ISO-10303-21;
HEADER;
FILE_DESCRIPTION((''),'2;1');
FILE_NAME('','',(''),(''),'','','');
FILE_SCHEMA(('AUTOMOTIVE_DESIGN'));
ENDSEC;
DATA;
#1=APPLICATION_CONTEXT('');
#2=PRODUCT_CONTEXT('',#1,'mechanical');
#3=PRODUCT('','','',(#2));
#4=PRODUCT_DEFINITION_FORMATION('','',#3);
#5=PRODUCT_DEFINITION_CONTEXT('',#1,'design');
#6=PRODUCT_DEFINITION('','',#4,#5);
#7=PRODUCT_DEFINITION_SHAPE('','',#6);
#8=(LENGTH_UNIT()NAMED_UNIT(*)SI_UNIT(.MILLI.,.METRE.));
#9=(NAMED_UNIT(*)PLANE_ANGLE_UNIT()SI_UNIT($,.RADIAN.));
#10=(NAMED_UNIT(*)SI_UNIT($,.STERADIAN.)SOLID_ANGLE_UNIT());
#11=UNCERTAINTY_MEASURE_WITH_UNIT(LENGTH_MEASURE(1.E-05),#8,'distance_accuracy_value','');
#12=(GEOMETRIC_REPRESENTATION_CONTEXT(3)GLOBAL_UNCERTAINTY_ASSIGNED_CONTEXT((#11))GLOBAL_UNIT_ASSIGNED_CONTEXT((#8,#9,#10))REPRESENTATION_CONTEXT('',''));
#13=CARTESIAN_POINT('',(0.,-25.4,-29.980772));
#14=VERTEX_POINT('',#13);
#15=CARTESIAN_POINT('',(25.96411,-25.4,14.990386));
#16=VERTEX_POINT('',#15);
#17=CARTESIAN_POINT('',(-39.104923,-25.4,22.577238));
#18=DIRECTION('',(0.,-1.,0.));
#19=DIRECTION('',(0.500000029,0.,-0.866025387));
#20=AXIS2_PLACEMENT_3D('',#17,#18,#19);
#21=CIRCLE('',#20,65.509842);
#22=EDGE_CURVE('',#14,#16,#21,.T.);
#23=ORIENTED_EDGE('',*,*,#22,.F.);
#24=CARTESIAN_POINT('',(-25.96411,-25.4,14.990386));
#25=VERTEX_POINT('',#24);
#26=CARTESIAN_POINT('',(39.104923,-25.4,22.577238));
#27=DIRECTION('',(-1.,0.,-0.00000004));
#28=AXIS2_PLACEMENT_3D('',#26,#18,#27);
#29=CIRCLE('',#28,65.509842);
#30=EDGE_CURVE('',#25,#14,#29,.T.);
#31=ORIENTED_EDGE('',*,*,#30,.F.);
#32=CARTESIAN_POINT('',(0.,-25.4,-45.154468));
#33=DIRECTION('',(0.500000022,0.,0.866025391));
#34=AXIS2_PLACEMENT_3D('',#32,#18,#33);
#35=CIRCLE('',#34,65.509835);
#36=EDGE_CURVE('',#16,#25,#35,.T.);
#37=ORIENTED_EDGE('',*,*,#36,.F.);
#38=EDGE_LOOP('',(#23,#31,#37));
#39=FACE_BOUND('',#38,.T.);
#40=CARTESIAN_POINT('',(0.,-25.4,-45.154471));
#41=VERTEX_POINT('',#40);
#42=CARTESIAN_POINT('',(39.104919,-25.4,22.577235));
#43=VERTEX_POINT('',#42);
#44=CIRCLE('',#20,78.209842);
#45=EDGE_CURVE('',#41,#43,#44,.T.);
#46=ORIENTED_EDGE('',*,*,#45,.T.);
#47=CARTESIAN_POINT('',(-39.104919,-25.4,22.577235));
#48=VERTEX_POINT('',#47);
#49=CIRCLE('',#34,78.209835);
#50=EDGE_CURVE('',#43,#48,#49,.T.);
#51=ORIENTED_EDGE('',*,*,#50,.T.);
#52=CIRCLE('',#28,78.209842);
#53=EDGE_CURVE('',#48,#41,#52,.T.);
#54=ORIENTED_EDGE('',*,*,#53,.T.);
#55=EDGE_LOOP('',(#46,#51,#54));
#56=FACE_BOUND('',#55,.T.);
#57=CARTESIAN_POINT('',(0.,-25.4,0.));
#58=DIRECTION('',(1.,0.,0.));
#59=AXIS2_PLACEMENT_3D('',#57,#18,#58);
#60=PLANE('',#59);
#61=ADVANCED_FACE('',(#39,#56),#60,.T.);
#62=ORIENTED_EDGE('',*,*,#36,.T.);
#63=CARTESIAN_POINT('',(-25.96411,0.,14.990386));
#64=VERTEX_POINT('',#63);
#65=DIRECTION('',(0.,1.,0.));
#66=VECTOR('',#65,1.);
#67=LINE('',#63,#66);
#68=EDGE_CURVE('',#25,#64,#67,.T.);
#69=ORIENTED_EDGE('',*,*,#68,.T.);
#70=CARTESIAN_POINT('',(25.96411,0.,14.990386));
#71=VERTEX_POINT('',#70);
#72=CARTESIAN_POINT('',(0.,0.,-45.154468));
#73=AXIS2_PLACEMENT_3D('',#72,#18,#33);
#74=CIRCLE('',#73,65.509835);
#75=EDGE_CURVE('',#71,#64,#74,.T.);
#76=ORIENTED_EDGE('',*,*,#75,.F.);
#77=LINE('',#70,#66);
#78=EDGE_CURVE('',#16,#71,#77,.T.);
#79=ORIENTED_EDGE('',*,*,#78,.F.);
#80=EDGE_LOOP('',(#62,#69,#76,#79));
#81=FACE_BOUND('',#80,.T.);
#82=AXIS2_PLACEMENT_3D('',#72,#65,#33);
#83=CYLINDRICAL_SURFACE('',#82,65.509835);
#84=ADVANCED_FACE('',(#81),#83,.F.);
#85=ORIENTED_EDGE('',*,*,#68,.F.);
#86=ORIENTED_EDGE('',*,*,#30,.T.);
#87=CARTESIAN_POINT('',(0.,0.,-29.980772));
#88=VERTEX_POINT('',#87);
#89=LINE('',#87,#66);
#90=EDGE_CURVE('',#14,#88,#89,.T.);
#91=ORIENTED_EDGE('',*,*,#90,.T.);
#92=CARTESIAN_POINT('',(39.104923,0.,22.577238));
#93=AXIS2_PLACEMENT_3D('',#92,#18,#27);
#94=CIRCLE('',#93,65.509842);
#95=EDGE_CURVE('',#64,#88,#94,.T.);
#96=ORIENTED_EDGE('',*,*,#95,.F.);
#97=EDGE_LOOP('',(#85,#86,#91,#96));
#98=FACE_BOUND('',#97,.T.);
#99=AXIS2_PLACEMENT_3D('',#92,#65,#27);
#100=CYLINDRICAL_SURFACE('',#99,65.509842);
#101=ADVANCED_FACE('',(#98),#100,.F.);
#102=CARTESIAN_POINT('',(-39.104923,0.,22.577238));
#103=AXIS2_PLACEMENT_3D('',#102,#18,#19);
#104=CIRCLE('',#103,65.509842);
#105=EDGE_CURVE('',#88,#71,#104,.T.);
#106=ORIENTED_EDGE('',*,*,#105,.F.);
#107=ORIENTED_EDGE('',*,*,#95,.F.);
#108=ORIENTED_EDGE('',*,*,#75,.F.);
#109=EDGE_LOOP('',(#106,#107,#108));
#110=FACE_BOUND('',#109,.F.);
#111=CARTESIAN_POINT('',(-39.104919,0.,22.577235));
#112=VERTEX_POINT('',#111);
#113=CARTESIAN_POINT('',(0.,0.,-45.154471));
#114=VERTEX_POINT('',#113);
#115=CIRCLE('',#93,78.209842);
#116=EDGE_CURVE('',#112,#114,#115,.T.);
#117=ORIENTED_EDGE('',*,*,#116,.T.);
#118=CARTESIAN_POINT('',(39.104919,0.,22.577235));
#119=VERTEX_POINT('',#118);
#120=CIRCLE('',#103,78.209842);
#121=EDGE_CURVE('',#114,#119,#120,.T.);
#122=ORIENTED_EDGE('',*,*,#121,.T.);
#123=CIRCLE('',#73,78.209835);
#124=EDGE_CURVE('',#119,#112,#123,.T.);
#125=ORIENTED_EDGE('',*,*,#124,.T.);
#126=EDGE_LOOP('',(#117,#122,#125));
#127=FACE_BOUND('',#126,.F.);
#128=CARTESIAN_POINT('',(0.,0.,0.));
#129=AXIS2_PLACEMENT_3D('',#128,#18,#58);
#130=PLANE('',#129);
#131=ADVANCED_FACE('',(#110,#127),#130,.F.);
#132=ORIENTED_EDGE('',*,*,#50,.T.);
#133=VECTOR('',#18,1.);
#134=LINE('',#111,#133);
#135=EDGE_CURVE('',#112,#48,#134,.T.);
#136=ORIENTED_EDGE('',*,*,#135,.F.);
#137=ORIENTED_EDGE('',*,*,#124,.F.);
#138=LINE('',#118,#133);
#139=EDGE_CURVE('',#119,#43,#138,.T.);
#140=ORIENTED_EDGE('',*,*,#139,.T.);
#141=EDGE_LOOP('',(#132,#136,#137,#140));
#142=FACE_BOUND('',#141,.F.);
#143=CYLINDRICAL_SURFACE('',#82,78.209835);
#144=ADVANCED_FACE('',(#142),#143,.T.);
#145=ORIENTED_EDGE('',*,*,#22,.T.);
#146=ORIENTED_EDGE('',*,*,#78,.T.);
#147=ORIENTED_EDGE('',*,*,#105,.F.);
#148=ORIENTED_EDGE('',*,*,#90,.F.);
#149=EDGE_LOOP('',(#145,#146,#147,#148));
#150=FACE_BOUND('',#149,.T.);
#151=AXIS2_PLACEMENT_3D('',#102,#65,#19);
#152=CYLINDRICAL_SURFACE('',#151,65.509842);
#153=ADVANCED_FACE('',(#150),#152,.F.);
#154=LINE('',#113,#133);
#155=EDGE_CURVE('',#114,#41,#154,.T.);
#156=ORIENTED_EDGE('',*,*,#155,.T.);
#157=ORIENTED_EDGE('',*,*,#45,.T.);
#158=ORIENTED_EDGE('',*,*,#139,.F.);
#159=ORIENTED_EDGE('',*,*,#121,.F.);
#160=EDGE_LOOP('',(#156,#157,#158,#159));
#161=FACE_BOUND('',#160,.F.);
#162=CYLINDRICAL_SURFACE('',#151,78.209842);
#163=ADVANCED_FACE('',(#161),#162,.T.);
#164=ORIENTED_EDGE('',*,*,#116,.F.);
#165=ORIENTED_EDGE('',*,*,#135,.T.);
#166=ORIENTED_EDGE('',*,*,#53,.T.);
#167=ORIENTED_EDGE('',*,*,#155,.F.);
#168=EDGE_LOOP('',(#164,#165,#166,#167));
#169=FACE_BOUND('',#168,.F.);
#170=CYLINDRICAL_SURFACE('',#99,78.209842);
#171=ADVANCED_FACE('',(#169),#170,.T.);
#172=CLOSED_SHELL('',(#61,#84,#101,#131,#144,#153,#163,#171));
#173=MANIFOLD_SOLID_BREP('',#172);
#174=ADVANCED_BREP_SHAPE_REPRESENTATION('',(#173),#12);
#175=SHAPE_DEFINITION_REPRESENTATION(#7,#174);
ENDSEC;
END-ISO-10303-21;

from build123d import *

# Parameters (mm, degrees)
F1_DEPTH = 25.4
F2_T     = -12.7


with BuildPart() as f1:
    # F0 (on Front) → F1 (new body)
    with BuildSketch(Plane.XZ):
        with BuildLine():
            ThreePointArc((-39.104919, 22.577235), (-28.626787, -16.527683), (0, -45.154471))
            ThreePointArc((0, -45.154471), (28.626787, -16.527683), (39.104919, 22.577235))
            ThreePointArc((39.104919, 22.577235), (0, 33.055367), (-39.104919, 22.577235))
        make_face()
    extrude(amount=F1_DEPTH)

    # F2
    f2_openings = [f1.faces().sort_by_distance(p)[0] for p in [
        (0, -25.4, 0),
        (0, 0, 0),
    ]]
    offset(amount=F2_T, openings=f2_openings)


solid = f1.part
